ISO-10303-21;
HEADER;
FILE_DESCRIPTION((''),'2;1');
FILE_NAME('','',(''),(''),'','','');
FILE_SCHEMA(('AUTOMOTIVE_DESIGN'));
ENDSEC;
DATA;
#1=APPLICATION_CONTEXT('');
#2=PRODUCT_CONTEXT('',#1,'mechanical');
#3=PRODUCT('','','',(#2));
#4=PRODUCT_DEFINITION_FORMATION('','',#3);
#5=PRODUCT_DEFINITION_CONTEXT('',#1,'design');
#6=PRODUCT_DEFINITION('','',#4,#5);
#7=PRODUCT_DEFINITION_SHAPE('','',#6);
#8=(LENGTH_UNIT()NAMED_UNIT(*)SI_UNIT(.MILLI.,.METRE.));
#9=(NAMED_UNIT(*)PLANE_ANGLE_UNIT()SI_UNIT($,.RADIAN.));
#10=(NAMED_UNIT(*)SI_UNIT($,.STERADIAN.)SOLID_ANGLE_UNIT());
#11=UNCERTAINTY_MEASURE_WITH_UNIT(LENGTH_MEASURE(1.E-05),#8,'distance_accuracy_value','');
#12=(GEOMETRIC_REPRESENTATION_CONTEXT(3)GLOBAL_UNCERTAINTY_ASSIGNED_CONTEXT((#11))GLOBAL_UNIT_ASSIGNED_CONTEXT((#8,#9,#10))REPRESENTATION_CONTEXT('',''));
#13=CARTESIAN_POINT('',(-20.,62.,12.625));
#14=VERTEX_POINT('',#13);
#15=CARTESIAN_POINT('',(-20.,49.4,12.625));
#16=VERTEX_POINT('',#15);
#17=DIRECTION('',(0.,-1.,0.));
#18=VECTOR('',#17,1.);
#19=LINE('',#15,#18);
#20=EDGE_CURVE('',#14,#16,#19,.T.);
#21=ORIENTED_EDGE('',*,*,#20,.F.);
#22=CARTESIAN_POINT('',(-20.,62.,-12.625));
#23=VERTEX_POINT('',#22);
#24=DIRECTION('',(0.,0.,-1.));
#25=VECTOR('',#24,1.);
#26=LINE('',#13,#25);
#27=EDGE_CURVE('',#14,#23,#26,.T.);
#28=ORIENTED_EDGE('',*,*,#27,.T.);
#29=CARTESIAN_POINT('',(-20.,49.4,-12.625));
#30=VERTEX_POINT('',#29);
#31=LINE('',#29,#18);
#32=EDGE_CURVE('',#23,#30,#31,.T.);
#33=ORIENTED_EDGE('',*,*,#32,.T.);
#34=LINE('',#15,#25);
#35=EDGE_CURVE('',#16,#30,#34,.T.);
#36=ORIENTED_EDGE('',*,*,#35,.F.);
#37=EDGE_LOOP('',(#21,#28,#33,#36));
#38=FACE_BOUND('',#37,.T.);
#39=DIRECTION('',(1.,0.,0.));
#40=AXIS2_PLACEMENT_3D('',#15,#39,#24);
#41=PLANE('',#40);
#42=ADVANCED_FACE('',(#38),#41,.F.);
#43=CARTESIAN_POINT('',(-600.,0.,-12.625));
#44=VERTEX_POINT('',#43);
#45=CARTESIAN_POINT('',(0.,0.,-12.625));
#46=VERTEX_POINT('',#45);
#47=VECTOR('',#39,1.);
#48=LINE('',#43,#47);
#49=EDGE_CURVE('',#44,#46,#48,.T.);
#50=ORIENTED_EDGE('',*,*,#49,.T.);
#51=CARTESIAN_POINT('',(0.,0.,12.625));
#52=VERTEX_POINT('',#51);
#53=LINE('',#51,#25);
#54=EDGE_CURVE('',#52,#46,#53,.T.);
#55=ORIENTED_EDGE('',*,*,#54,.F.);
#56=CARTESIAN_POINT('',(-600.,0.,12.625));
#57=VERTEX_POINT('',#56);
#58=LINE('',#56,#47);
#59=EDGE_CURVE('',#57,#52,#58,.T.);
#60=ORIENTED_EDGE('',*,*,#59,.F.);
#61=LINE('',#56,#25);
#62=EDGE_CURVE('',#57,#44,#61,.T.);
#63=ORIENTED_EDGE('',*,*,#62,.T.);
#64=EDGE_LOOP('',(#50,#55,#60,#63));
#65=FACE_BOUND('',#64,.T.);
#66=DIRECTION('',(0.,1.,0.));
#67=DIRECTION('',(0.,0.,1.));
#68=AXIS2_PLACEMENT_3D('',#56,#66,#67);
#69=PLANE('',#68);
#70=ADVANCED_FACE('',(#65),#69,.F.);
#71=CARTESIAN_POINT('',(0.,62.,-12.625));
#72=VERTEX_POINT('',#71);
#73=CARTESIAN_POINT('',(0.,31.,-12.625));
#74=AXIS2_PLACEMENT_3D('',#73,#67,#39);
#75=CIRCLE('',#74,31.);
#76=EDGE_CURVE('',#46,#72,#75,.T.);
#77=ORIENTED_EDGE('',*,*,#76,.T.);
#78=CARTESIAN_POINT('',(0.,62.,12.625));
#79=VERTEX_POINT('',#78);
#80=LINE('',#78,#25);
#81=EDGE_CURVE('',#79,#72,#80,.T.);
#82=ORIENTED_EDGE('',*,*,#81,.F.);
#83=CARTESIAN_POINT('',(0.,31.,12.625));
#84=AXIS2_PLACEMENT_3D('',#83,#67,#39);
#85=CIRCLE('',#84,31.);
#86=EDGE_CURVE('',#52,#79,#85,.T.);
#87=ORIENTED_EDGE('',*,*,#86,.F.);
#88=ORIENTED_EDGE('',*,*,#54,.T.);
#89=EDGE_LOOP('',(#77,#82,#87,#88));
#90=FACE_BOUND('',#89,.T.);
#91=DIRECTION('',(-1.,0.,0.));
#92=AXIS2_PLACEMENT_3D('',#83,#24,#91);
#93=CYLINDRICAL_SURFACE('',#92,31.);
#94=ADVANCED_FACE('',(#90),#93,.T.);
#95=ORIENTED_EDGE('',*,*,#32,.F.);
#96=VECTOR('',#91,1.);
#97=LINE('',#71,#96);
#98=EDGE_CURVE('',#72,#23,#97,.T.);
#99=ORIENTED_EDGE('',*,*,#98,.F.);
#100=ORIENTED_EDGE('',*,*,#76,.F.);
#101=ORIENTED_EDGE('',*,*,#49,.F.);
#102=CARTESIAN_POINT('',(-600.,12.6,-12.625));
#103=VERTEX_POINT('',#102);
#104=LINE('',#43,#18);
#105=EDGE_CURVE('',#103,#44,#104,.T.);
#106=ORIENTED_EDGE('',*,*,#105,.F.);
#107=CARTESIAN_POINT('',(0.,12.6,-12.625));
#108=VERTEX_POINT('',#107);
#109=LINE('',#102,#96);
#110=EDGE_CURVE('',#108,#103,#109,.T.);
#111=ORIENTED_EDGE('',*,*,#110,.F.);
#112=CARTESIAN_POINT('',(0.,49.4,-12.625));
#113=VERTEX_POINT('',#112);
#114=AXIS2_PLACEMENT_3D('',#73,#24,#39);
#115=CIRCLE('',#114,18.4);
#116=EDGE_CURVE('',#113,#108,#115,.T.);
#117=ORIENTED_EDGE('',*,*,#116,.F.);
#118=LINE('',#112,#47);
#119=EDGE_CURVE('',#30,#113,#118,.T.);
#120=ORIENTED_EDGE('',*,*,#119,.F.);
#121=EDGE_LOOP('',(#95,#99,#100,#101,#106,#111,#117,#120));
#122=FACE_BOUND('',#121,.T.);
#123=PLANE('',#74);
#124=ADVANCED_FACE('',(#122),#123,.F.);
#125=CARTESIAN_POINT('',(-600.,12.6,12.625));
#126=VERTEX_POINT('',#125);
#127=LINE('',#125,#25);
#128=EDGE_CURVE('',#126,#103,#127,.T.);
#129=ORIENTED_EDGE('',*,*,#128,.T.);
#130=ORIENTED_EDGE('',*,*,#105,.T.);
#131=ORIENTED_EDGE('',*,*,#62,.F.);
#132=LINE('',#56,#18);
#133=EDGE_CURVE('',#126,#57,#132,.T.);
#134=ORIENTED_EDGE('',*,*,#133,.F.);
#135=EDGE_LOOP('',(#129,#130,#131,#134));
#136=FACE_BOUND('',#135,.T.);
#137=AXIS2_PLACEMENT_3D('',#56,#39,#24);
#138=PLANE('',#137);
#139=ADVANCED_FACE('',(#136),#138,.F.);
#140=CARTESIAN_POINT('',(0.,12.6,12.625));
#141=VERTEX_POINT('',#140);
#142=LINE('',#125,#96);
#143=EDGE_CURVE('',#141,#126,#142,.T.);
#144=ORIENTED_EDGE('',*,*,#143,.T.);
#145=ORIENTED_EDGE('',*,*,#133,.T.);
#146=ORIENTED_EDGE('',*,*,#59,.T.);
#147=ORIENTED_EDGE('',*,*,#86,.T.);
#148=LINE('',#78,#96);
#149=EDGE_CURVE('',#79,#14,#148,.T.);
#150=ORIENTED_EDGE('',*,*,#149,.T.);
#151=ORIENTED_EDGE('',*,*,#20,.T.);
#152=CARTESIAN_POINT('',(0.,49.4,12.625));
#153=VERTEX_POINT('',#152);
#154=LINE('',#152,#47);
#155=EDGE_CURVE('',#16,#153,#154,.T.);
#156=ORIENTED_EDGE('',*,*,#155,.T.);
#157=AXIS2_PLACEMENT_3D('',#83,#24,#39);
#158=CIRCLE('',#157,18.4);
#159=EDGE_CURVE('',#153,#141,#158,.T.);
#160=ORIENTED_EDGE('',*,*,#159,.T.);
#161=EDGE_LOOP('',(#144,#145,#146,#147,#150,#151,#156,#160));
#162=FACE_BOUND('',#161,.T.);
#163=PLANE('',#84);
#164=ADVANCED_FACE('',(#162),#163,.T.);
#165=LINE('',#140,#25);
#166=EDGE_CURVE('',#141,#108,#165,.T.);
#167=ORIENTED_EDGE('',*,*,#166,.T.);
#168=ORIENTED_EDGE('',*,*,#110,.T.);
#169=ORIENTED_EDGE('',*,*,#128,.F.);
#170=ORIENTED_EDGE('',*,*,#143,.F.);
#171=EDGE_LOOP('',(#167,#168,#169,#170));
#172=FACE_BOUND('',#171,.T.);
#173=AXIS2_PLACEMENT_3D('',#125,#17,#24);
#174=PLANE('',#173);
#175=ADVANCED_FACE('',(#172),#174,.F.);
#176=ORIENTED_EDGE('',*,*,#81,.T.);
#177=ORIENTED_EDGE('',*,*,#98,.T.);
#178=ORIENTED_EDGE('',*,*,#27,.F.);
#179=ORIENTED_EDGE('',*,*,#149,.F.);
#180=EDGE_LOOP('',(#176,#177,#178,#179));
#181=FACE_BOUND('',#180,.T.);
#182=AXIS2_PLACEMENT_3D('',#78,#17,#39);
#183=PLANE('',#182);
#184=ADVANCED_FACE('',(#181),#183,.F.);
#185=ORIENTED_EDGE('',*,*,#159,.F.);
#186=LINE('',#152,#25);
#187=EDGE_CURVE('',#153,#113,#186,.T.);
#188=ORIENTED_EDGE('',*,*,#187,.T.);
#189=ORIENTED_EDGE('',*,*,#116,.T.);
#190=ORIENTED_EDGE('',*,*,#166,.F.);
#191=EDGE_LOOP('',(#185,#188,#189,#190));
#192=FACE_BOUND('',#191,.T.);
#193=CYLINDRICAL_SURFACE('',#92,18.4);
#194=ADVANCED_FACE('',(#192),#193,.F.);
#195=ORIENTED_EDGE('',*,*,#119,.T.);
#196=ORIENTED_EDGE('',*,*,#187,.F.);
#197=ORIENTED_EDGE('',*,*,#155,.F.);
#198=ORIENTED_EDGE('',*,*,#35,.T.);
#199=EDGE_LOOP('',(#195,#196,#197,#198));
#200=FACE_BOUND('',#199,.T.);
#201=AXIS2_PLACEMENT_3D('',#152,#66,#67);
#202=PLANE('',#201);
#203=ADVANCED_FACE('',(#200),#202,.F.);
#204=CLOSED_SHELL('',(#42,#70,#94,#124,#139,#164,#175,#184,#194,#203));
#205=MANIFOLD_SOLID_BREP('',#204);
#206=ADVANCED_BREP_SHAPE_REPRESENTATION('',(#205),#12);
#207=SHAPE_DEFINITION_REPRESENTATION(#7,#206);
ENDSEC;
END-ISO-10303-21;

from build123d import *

# Parameters (mm, degrees)
BOSS_EXTRUDE1_DEPTH = 12.625


with BuildPart() as part:
    # Sketch1 → Boss-Extrude1 (new, symmetric)
    with BuildSketch(Plane.XY):
        with BuildLine():
            Line((-600, 0), (0, 0))
            ThreePointArc((0, 0), (31, 31), (0, 62))
            Line((0, 62), (-20, 62))
            Line((-20, 62), (-20, 49.4))
            Line((-20, 49.4), (0, 49.4))
            ThreePointArc((0, 49.4), (18.4, 31), (0, 12.6))
            Line((0, 12.6), (-600, 12.6))
            Line((-600, 12.6), (-600, 0))
        make_face()
    extrude(amount=BOSS_EXTRUDE1_DEPTH, both=True)


solid = part.part
